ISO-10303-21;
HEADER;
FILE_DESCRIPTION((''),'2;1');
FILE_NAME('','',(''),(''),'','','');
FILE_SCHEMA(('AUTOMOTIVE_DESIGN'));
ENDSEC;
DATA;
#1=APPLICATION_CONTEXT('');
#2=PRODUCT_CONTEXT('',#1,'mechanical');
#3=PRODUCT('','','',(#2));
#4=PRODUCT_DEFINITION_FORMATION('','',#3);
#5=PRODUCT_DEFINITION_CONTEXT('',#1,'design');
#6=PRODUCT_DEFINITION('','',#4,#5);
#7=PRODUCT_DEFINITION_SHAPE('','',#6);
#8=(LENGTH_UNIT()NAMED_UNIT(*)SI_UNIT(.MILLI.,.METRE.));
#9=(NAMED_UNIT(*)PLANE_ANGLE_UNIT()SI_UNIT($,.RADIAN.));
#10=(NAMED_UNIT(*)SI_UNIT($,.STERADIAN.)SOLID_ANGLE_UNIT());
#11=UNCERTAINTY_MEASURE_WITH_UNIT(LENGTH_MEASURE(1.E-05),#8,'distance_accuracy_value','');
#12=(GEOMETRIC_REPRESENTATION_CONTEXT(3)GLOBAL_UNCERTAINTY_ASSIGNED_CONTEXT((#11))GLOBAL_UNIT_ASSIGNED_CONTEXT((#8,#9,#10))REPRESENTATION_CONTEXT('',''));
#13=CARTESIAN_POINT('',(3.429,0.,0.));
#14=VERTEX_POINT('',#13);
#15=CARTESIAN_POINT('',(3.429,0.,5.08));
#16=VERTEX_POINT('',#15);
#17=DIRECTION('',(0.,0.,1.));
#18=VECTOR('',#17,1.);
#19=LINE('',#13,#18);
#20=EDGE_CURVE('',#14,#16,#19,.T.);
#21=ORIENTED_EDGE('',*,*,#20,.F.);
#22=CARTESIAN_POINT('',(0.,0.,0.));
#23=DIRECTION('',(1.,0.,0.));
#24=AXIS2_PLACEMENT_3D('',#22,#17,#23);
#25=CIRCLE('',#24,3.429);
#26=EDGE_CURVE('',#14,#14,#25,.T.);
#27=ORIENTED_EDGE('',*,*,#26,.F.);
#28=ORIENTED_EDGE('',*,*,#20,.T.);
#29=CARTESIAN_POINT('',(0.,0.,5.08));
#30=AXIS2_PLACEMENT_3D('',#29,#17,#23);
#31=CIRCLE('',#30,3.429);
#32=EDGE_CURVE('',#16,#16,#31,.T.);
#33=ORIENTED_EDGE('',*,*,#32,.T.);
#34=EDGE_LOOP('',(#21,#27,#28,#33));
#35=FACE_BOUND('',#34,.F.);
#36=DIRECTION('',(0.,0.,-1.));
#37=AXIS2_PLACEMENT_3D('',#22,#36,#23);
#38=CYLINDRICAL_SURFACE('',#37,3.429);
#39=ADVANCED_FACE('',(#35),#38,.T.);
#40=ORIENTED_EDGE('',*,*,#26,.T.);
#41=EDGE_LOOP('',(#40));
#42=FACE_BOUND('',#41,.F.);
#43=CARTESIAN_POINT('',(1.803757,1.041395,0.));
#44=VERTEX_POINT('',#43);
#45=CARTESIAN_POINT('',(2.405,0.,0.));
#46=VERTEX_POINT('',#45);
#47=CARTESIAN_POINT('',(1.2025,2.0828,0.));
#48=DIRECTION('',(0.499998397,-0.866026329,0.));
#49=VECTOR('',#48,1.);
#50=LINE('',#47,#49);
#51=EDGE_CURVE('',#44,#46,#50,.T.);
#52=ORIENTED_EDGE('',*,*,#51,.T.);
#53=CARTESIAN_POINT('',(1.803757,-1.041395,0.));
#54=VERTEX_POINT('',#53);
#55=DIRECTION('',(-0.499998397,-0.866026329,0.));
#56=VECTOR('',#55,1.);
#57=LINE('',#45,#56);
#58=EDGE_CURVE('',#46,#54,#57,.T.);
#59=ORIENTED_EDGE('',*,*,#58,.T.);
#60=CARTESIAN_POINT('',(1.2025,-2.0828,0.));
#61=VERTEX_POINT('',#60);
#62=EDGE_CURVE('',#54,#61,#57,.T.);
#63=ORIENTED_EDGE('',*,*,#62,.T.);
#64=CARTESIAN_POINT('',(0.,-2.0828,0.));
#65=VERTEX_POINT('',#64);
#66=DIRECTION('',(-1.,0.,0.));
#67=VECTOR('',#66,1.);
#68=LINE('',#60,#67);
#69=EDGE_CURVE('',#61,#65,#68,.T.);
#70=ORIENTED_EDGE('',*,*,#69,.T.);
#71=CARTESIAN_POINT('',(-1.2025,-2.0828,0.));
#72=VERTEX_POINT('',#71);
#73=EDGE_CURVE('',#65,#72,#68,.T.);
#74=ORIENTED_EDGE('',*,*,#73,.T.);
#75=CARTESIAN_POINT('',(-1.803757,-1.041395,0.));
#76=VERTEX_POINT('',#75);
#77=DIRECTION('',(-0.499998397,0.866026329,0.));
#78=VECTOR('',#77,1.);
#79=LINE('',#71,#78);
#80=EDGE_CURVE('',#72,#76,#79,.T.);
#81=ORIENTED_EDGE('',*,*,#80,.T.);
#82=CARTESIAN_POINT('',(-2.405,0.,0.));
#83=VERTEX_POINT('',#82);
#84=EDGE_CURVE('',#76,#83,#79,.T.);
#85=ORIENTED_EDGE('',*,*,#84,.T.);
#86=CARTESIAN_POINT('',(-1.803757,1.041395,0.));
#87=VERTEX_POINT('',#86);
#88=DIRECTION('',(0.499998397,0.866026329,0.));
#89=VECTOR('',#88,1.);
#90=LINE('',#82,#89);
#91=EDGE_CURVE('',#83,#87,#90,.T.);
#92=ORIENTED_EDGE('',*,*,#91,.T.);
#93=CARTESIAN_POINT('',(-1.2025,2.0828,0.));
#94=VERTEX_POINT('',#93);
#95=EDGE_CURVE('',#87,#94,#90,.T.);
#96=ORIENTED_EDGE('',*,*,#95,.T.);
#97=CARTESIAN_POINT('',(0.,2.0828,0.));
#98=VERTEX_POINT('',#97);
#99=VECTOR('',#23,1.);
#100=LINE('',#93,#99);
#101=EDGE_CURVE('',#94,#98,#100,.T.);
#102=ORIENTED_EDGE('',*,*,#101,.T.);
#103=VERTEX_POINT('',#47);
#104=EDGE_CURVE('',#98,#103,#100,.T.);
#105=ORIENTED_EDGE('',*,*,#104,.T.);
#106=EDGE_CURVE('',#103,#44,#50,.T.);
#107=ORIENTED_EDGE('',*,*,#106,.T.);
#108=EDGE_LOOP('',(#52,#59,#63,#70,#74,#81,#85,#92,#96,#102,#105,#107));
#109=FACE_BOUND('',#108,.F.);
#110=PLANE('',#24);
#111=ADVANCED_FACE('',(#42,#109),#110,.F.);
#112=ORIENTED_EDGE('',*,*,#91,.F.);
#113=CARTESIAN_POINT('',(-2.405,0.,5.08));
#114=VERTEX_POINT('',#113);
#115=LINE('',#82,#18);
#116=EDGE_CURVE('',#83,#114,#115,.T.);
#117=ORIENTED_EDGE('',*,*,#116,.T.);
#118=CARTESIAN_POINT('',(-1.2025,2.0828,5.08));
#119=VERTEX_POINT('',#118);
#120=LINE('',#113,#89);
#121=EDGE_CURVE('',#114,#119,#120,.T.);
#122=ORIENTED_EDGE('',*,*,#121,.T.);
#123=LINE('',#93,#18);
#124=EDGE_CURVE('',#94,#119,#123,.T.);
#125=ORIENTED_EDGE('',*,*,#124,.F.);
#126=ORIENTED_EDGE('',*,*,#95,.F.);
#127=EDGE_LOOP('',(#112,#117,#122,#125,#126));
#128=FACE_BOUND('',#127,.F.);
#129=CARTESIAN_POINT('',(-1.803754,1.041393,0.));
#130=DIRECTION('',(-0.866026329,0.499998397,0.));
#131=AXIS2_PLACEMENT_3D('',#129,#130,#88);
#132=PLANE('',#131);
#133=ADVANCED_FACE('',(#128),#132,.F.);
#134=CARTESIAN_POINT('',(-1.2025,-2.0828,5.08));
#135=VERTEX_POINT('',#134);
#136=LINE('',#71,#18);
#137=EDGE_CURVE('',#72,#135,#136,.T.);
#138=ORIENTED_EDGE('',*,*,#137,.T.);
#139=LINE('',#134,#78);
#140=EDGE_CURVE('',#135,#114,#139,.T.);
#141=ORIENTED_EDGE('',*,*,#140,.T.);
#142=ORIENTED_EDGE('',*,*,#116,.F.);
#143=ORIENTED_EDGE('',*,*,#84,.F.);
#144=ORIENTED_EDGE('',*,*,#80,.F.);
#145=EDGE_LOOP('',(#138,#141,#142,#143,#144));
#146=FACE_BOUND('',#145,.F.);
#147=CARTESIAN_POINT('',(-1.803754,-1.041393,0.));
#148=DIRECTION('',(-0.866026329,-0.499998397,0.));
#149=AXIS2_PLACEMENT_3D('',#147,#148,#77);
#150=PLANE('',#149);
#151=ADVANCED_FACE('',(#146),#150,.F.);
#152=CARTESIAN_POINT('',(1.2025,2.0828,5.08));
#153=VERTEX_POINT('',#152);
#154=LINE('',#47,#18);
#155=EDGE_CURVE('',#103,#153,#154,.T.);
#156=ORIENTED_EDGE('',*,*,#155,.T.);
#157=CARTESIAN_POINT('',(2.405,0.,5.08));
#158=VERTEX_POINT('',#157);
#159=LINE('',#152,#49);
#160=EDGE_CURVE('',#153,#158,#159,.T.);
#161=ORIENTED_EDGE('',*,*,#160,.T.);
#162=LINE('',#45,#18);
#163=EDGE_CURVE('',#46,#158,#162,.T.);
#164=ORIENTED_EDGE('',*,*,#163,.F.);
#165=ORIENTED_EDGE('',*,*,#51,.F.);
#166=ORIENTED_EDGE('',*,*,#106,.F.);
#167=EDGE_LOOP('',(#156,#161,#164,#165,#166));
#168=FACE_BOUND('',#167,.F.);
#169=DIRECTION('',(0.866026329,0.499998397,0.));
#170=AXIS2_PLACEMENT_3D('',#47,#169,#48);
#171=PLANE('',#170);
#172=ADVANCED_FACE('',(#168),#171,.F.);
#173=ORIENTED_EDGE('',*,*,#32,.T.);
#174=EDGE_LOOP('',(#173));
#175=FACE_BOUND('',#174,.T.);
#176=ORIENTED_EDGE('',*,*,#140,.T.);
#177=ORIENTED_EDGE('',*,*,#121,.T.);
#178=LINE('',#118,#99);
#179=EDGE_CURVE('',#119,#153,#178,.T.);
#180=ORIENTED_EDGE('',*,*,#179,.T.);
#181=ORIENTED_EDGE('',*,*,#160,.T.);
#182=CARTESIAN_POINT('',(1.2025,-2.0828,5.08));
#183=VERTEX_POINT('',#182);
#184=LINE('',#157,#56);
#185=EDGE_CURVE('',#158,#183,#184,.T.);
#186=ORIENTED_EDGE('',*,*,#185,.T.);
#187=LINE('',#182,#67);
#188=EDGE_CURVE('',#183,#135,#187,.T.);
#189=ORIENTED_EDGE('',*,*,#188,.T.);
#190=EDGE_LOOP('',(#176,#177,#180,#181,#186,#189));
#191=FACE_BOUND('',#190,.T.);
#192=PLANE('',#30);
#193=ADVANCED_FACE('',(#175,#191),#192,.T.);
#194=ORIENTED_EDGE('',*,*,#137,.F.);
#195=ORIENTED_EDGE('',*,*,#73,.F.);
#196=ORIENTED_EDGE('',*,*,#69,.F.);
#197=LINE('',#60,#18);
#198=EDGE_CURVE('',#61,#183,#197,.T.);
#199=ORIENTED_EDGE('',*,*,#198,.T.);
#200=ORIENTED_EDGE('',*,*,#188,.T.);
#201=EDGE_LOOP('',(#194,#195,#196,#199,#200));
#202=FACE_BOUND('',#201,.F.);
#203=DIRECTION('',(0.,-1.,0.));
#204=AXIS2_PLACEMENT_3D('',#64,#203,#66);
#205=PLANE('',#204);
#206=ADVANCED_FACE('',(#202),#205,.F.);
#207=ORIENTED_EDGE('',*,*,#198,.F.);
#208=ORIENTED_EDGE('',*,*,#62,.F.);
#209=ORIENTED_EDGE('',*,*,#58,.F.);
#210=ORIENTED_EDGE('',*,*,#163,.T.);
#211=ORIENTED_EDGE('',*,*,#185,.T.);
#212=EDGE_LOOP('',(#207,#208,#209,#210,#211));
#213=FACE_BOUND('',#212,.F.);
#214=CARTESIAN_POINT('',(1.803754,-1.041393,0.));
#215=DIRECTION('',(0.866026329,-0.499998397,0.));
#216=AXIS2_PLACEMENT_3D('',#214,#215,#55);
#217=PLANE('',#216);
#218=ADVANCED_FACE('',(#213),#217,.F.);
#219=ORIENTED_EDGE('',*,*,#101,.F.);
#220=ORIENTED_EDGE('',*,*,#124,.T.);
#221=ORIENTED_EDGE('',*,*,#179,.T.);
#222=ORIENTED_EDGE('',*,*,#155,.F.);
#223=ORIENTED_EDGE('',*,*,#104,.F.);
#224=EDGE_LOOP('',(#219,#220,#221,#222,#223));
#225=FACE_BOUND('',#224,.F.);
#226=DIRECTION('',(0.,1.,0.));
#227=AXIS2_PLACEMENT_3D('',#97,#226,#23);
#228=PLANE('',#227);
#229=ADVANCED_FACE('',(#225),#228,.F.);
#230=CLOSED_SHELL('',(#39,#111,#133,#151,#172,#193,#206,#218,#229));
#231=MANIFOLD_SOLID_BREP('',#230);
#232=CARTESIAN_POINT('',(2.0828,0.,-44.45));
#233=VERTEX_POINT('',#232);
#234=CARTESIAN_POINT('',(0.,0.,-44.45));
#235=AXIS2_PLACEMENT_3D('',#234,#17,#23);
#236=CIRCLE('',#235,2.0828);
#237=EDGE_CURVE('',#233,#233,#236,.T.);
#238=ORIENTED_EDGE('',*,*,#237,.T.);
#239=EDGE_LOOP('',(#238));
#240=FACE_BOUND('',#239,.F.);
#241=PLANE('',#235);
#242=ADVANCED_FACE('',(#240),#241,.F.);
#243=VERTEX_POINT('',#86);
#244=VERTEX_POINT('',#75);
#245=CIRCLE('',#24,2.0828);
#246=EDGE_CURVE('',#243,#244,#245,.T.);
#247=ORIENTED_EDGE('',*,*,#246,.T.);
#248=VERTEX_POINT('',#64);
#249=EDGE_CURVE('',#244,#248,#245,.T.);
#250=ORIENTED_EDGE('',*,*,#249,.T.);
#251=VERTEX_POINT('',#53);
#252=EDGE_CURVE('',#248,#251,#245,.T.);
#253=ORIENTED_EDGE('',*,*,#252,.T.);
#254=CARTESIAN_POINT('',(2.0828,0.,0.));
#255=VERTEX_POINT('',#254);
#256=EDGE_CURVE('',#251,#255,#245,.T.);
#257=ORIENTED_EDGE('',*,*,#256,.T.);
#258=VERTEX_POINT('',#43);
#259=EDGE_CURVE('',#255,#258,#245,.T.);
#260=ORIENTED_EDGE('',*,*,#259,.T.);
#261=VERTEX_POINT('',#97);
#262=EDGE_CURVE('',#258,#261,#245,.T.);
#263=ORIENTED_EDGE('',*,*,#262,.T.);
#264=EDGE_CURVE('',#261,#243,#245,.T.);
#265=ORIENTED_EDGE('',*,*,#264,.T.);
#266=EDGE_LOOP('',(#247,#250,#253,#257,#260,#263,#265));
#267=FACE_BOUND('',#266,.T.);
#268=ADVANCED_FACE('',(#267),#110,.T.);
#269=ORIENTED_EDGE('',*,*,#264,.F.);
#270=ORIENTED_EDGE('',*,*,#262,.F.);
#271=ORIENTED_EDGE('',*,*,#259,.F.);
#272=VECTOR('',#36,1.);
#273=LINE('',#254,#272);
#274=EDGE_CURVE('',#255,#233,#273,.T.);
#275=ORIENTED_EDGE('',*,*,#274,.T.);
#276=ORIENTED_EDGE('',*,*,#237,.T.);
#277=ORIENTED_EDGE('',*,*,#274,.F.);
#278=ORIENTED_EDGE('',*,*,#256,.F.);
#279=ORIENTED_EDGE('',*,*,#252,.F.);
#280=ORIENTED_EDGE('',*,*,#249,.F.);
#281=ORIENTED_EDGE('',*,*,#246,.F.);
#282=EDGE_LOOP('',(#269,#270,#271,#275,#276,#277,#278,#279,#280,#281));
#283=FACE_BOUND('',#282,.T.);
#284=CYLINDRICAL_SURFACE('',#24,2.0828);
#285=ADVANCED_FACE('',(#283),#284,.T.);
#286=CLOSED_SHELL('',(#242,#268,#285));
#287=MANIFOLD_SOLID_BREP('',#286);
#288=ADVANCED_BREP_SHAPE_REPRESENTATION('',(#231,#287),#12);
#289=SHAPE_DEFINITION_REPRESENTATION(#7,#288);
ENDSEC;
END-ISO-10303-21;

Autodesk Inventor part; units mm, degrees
ref_plane "YZ Plane" through (0, 0, 0) normal (1, 0, 0) x (0, 1, 0)
ref_plane "XZ Plane" through (0, 0, 0) normal (0, 1, 0) x (-1, 0, 0)
ref_plane "XY Plane" through (0, 0, 0) normal (0, 0, 1) x (1, 0, 0)
sketch "Sketch1" plane through (0, 0, 0) normal (0, 0, 1) x (1, 0, 0)
  circle A0 centre (0, 0) radius 3.429
  circle A1 centre (0, 0) radius 2.0828
  line L0 (1.2025, 2.0828) -> (2.405, 0)
  line L1 (2.405, 0) -> (1.2025, -2.0828)
  line L2 (1.2025, -2.0828) -> (-1.2025, -2.0828)
  line L3 (-1.2025, -2.0828) -> (-2.405, 0)
  line L4 (-2.405, 0) -> (-1.2025, 2.0828)
  line L5 (-1.2025, 2.0828) -> (1.2025, 2.0828)
  dimension "d0" = 4.1656
  dimension "d1" = 6.858
extrude "Extrusion1" add sketch "Sketch1" against normal blind 44.45 contours A1
extrude "Extrusion2" add sketch "Sketch1" along normal blind 5.08
thread "Thread1" size "8-32 UNC" class "2A" standard "ANSI Unified Screw Threads" full length
properties part number "Bolt 8-32 bracket BD Drill motor mount"
